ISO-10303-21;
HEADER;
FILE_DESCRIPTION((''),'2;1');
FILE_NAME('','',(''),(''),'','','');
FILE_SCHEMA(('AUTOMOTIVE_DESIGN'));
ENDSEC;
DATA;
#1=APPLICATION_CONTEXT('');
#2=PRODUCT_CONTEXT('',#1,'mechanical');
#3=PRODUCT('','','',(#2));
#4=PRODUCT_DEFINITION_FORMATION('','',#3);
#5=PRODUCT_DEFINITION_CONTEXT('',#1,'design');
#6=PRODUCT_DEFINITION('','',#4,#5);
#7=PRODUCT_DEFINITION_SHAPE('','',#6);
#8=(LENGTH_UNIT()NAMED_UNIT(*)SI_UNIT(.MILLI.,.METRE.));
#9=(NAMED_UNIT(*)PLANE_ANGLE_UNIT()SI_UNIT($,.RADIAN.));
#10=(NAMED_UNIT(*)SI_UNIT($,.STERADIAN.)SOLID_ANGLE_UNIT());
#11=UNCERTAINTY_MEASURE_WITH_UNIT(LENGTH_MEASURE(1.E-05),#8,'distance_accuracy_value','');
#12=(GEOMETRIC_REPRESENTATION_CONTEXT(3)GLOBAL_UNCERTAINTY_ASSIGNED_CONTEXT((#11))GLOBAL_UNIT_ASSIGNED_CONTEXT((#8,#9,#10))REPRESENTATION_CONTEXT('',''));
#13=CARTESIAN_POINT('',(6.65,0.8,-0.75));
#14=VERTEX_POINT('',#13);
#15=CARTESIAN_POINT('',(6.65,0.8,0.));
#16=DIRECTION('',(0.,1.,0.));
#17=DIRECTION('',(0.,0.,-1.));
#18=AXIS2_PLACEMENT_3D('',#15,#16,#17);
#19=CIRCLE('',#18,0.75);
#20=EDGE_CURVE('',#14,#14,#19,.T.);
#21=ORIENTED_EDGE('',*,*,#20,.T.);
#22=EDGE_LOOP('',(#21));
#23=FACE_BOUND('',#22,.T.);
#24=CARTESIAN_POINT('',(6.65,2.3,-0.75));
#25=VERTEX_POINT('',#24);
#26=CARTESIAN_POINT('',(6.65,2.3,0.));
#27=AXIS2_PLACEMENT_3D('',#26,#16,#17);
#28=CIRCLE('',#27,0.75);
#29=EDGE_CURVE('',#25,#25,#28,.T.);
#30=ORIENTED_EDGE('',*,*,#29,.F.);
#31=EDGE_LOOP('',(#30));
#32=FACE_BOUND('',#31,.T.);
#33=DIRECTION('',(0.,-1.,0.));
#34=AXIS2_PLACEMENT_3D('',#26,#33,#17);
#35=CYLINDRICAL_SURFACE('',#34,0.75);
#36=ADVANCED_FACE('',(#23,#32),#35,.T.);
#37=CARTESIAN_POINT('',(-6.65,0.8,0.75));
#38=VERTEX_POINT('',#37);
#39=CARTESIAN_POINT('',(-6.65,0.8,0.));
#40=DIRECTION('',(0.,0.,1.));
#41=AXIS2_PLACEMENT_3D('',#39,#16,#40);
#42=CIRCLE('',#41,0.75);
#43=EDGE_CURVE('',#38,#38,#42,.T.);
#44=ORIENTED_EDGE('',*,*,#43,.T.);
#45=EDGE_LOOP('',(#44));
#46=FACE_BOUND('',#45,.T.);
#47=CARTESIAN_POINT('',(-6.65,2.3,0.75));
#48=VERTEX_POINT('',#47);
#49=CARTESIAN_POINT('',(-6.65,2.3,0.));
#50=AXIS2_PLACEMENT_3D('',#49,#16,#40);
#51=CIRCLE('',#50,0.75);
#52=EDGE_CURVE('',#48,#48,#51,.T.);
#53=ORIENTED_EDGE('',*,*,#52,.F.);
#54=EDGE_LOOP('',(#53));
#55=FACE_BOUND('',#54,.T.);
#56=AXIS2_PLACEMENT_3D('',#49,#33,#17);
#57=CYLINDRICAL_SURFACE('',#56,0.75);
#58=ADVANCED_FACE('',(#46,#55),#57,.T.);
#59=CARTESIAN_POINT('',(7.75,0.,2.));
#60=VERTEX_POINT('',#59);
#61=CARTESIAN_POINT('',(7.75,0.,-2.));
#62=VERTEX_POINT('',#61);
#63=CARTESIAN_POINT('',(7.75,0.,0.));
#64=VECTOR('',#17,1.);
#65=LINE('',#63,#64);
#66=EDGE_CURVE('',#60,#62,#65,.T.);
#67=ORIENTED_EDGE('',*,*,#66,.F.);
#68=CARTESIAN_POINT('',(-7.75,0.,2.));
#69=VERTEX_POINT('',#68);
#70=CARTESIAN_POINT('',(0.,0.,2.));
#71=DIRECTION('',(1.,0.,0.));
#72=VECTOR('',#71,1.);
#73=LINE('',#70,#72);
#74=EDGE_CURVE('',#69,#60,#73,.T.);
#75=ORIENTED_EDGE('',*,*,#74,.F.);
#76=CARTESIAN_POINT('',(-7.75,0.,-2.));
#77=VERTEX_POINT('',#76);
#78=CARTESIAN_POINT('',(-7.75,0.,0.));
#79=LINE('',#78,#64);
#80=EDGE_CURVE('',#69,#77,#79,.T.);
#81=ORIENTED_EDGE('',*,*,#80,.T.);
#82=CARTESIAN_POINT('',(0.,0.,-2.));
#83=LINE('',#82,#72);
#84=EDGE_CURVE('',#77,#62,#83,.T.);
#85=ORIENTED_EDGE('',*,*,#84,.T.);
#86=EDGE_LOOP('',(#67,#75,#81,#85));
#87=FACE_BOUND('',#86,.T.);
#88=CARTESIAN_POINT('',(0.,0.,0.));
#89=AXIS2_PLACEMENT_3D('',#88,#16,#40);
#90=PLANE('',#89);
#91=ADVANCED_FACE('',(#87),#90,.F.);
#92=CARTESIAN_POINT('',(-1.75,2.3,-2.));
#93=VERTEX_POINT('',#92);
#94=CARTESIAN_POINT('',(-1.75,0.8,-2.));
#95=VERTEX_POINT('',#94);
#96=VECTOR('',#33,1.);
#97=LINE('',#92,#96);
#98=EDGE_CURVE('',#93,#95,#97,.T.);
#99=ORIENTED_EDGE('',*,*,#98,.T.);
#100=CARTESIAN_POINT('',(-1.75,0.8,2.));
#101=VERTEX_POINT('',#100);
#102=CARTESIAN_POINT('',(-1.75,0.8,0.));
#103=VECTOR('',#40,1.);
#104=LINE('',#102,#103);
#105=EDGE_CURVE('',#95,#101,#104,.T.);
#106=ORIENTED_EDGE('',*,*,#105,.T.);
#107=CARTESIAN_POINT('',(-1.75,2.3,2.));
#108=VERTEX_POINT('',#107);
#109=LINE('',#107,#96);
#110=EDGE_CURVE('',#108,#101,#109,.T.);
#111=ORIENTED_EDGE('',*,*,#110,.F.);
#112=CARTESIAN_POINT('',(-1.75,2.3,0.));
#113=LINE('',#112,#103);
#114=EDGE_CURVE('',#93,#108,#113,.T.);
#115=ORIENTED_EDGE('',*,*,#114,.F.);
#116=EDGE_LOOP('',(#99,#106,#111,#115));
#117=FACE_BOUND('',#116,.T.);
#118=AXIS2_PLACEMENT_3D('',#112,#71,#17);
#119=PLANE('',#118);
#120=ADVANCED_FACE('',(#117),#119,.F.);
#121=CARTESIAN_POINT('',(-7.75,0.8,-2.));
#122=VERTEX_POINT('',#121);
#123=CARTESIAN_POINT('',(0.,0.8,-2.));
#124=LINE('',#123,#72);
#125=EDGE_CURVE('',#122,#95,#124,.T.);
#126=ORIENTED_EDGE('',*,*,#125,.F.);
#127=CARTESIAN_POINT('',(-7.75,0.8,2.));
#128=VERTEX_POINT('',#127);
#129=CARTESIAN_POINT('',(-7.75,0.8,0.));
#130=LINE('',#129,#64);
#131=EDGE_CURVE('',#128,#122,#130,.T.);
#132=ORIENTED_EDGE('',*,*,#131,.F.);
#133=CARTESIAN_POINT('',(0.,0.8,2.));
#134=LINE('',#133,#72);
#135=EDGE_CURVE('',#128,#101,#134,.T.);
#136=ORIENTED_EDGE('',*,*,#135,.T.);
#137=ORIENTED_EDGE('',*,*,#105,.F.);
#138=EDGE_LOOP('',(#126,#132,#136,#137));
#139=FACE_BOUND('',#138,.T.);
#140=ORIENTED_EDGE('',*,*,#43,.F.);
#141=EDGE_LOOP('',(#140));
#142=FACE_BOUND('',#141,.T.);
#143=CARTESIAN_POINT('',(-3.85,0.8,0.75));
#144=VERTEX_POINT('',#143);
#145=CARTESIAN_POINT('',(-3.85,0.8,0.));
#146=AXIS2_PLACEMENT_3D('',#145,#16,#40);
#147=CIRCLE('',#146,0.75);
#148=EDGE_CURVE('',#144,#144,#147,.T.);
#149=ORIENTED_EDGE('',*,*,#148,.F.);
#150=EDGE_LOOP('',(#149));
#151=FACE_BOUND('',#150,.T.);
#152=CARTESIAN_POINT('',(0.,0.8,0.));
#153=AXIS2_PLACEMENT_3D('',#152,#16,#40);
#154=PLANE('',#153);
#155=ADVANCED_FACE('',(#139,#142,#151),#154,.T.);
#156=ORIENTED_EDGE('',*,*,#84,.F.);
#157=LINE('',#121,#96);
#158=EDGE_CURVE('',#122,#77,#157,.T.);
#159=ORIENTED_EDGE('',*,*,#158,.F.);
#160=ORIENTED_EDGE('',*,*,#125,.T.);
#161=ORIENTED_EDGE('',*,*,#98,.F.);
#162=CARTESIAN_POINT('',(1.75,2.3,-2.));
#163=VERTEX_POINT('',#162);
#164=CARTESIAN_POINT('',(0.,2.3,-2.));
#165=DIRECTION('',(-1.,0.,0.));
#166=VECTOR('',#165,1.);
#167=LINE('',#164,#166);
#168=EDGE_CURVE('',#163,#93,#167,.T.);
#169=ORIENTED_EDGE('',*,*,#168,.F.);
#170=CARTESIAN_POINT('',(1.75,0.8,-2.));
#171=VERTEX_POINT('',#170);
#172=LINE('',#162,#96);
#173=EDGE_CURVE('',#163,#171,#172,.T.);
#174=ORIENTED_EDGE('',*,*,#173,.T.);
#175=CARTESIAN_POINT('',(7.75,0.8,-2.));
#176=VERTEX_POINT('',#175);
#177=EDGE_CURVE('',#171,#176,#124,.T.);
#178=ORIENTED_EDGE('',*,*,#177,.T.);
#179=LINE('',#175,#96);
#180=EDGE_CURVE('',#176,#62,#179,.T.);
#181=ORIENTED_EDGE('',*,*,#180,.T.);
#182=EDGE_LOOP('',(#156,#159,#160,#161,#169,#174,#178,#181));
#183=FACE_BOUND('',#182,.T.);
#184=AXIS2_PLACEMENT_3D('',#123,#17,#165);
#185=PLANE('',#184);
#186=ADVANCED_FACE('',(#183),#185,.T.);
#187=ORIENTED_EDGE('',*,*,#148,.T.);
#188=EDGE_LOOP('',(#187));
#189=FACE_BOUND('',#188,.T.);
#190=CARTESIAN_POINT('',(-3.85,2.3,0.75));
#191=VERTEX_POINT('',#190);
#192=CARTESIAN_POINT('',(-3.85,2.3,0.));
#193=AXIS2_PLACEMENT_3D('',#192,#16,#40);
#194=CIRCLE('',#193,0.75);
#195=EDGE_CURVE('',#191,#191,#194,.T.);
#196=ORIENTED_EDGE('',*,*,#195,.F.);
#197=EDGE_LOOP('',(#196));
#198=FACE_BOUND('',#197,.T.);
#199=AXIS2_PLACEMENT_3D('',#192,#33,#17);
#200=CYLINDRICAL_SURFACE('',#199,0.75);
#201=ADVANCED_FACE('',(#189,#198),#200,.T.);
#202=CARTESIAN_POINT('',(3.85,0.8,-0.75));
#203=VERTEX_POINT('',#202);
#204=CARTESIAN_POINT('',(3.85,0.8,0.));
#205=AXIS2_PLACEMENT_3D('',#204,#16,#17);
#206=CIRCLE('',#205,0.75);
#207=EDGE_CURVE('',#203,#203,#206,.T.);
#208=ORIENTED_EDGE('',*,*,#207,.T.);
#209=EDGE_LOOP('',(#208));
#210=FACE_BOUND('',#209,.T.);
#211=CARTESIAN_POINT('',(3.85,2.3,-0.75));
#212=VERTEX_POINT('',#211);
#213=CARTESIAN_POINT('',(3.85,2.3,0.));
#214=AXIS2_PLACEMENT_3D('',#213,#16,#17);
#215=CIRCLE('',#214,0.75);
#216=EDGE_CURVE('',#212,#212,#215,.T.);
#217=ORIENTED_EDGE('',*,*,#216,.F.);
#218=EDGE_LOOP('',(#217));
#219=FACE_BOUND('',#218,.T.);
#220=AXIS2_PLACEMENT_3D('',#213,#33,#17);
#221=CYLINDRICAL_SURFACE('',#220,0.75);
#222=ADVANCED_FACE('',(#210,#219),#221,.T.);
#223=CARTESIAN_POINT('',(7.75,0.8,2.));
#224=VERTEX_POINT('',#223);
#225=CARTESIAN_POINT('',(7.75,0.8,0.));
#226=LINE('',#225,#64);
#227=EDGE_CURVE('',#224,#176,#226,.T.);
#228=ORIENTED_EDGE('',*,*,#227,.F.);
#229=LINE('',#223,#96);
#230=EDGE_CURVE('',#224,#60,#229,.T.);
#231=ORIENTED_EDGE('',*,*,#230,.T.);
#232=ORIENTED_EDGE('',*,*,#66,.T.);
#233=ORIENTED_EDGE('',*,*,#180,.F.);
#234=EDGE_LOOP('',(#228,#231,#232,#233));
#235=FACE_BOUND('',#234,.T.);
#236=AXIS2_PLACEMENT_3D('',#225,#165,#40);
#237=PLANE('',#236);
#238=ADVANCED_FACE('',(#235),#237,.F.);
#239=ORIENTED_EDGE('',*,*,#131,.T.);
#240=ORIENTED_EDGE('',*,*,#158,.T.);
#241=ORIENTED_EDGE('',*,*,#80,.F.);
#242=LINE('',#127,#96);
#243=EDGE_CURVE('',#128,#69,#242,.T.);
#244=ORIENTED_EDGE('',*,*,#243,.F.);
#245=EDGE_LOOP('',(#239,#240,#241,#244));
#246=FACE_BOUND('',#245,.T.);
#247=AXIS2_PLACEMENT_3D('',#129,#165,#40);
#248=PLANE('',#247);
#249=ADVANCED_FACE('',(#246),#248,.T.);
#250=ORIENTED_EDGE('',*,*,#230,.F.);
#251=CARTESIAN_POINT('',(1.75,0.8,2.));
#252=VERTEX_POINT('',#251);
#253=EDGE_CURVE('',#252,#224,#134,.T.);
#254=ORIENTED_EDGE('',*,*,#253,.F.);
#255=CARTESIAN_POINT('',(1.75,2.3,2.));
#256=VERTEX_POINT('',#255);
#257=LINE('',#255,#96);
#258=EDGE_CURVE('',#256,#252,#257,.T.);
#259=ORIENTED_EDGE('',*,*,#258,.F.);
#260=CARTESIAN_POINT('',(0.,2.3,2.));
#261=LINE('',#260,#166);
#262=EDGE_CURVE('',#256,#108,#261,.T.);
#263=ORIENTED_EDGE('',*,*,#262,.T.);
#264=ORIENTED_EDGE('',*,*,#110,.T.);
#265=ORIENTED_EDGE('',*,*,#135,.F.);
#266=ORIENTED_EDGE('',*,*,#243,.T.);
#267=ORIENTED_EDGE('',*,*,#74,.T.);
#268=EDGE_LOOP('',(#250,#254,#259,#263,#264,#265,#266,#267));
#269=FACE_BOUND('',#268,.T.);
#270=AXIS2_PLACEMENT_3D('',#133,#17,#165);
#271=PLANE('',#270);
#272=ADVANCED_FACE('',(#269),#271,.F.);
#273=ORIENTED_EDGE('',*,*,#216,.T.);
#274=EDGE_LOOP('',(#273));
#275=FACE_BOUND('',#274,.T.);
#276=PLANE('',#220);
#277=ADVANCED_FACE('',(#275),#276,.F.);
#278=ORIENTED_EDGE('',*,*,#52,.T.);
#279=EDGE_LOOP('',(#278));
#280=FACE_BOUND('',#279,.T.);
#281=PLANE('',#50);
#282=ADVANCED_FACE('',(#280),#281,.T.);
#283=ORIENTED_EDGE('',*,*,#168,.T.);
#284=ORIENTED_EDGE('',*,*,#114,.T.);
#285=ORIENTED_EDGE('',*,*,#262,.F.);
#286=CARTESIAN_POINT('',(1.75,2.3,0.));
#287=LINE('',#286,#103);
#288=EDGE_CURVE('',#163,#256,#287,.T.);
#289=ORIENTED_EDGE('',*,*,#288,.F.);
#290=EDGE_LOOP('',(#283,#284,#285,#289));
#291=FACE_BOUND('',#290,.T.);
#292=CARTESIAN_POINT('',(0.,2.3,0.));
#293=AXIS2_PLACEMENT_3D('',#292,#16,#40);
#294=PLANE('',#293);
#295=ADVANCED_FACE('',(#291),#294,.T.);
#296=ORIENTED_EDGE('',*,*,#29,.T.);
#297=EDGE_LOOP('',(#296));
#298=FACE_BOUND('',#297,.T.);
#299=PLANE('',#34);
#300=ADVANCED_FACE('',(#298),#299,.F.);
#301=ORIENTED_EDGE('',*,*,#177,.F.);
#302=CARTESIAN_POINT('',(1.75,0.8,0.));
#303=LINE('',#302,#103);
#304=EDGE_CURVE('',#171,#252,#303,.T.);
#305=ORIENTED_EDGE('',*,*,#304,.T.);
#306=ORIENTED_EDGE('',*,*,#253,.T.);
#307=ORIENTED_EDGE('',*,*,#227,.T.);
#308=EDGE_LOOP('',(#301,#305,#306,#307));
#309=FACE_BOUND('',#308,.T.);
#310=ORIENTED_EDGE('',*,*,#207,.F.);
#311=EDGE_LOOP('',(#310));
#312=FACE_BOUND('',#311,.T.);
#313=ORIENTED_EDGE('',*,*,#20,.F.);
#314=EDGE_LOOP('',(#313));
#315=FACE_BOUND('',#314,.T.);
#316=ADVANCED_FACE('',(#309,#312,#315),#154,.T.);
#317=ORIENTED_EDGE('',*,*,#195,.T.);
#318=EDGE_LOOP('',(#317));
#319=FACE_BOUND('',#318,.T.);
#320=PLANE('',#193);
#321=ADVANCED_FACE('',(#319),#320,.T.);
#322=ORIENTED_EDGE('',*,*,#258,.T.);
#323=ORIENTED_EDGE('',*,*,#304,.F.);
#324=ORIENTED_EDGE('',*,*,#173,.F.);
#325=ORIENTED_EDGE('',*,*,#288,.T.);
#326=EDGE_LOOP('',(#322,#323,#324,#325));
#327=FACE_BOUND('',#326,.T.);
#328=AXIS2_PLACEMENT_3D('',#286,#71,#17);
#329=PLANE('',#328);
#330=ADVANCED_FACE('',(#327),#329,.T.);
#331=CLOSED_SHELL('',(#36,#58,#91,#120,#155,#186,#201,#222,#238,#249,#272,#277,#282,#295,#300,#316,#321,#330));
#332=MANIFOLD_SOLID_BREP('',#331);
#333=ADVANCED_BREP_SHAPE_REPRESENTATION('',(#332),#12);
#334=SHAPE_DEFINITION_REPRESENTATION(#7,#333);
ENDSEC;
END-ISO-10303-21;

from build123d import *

# Parameters (mm, degrees)
SKETCH_1_W      = 3.5
SKETCH_1_H      = 4
SKETCH_1_W_2    = 6
EXTRUDE_1_DEPTH = 0.8
EXTRUDE_START   = 0.8
SKETCH_1_3_W    = 3.5
SKETCH_1_3_H    = 4
EXTRUDE_2_DEPTH = 1.5
SKETCH_2_R      = 0.75
EXTRUDE_3_DEPTH = 1.5


with BuildPart() as part:
    # Эскиз1 → Бобышка-Вытянуть1 (new body)
    with BuildSketch(Plane(origin=(0, 0, 0), x_dir=(1, 0, 0), z_dir=(0, 1, 0))):
        Rectangle(SKETCH_1_W, SKETCH_1_H)
        with Locations((-4.75, 0)):
            Rectangle(SKETCH_1_W_2, SKETCH_1_H)
        with Locations((4.75, 0)):
            Rectangle(SKETCH_1_W_2, SKETCH_1_H)
    extrude(amount=EXTRUDE_1_DEPTH)

    # Эскиз1<3> → Бобышка-Вытянуть2 (add)
    with BuildSketch(Plane(origin=(0, 0, 0), x_dir=(1, 0, 0), z_dir=(0, 1, 0)).offset(EXTRUDE_START)):
        Rectangle(SKETCH_1_3_W, SKETCH_1_3_H)
    extrude(amount=EXTRUDE_2_DEPTH)

    # Эскиз2 → Бобышка-Вытянуть3 (add)
    with BuildSketch(Plane(origin=(0, 0.8, 0), x_dir=(1, 0, 0), z_dir=(0, 1, 0))):
        with Locations(Location((-3.85, 0, 0), (0, 0, 270))):
            Circle(SKETCH_2_R)
        with Locations(Location((-6.65, 0, 0), (0, 0, 270))):
            Circle(SKETCH_2_R)
        with Locations(Location((6.65, 0, 0), (0, 0, 90))):
            Circle(SKETCH_2_R)
        with Locations(Location((3.85, 0, 0), (0, 0, 90))):
            Circle(SKETCH_2_R)
    extrude(amount=EXTRUDE_3_DEPTH)


solid = part.part
